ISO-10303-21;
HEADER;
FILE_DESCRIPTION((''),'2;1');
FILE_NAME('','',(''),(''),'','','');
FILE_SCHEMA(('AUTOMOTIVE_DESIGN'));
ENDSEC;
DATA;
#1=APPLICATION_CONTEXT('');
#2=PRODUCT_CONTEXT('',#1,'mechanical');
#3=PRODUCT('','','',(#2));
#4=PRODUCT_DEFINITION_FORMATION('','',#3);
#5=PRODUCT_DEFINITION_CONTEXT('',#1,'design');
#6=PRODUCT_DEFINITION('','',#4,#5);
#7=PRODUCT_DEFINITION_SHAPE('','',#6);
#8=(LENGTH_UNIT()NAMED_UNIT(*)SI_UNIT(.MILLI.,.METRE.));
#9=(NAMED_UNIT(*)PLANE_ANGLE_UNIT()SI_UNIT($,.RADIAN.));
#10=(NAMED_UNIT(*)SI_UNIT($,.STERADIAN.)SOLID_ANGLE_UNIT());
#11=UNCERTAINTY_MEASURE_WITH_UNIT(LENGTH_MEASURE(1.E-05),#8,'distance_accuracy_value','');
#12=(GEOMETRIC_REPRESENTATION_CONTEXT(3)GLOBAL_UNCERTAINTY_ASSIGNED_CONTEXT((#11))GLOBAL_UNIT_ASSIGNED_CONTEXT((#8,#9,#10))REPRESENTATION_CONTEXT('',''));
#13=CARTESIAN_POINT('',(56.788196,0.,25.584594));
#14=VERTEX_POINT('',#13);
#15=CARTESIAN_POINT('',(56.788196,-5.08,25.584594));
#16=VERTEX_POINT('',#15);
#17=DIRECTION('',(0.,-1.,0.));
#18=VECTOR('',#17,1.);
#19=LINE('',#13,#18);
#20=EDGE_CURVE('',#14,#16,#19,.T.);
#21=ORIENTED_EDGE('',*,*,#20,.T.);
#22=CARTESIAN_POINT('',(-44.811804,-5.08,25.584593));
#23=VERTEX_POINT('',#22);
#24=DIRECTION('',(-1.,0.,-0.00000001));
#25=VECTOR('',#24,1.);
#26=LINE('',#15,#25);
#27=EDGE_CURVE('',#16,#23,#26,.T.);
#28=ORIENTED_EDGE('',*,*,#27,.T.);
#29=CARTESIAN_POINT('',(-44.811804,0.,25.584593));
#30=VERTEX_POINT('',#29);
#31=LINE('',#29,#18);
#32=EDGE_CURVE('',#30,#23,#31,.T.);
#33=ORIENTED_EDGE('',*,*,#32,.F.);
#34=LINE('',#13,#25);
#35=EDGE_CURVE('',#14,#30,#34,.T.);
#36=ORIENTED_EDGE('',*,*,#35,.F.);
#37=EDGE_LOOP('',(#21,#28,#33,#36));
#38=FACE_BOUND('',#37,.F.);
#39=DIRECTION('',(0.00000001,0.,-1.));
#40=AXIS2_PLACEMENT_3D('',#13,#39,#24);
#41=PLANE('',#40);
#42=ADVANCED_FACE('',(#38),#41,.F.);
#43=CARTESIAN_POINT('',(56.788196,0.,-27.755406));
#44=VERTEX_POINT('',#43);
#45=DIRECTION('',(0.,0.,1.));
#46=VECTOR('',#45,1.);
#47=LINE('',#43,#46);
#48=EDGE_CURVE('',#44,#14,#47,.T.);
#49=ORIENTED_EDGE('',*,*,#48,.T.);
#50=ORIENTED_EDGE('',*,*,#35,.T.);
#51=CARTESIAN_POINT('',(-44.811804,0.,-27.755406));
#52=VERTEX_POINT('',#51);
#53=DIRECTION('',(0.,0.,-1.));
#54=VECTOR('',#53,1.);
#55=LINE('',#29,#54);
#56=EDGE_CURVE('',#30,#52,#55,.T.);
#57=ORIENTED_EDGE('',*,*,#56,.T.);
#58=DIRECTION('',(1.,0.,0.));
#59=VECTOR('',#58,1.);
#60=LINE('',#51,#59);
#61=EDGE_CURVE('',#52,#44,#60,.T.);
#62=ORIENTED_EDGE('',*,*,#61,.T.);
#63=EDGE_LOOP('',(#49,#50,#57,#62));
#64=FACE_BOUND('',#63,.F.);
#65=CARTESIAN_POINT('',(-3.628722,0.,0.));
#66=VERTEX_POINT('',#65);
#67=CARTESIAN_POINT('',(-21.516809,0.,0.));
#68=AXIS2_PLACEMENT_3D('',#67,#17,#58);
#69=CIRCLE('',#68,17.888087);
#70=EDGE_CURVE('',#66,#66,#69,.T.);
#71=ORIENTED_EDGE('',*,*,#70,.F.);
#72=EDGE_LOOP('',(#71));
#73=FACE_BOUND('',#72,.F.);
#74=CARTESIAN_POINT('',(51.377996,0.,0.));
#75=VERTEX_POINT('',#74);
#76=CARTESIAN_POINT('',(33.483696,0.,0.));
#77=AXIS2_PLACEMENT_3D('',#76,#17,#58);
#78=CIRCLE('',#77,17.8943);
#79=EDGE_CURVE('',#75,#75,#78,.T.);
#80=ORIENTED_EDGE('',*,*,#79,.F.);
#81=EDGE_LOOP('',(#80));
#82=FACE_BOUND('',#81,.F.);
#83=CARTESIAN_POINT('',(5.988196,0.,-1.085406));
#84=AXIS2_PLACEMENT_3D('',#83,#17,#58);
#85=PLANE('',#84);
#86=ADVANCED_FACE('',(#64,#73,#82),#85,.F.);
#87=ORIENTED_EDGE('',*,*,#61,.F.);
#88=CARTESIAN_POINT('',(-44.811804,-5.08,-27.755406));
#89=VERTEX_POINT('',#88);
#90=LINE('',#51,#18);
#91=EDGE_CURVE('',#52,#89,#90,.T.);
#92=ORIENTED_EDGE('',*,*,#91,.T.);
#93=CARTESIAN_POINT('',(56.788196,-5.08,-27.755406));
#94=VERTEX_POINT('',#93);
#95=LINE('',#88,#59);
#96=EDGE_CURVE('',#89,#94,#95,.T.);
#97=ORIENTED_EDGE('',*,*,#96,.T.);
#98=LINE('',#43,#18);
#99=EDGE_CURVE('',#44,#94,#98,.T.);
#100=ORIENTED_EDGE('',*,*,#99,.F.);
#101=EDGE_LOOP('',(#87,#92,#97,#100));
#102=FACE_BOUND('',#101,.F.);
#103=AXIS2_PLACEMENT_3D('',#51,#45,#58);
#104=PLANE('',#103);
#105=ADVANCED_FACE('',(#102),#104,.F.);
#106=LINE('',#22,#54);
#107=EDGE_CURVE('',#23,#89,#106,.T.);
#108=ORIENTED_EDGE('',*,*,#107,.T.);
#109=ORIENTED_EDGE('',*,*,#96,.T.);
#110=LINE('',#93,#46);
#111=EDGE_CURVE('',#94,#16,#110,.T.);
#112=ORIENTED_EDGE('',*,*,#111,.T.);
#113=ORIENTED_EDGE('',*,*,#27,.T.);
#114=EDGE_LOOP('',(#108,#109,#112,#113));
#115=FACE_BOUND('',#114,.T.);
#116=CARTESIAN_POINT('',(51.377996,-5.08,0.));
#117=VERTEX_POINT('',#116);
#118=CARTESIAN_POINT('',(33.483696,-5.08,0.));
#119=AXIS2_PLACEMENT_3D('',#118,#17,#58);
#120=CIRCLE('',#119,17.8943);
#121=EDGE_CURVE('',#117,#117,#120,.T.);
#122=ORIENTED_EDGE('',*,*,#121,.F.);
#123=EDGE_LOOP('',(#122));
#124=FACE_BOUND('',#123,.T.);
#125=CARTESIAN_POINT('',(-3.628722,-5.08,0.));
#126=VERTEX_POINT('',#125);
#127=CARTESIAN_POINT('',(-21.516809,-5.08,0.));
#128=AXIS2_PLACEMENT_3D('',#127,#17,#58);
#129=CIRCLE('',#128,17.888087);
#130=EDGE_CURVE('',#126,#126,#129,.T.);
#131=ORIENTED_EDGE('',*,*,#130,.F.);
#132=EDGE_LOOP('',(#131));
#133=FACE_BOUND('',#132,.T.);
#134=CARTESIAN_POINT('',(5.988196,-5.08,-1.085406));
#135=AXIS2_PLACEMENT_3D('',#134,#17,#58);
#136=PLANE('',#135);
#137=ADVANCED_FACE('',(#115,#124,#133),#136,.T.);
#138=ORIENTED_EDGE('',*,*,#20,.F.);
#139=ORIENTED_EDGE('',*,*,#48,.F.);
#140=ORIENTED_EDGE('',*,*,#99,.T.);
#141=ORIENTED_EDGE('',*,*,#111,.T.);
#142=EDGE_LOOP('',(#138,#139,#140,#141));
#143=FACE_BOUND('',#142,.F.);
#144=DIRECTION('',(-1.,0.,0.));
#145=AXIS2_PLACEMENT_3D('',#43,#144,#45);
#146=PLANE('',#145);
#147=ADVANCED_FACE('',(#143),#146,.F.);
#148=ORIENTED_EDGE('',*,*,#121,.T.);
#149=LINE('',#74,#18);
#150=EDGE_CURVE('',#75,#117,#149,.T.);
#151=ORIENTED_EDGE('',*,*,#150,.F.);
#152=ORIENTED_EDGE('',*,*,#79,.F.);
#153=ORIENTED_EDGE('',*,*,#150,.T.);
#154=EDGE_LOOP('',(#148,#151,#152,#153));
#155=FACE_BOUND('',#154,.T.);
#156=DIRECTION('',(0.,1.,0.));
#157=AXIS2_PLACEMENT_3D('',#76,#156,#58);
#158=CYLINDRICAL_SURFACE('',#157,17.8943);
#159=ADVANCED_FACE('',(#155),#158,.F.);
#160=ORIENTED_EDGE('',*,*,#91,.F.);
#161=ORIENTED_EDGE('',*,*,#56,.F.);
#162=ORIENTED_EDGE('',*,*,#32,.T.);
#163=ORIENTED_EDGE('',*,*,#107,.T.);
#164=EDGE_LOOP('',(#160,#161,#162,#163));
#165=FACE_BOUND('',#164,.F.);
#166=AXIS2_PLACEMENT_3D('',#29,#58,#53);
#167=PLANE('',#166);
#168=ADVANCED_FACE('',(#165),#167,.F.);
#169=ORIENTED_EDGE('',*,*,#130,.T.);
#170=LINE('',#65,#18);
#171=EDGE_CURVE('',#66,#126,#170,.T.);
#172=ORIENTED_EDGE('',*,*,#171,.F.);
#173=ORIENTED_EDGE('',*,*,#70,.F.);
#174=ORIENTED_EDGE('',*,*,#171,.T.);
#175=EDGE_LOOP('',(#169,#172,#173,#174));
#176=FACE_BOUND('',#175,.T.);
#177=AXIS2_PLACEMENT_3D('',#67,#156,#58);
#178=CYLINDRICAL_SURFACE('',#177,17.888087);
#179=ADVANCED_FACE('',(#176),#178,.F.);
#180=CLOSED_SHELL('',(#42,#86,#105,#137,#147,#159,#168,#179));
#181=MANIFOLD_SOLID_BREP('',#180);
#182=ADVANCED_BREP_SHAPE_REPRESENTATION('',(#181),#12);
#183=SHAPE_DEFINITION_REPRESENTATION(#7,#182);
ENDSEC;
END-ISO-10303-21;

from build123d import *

# Parameters (mm, degrees)
F0_R     = 17.888087
F0_R_2   = 17.8943
F1_DEPTH = 5.08


with BuildPart() as f1:
    # F0 (on Front) → F1 (new body)
    with BuildSketch(Plane.XZ):
        Polygon((56.788196, 25.584594), (-44.811804, 25.584593), (-44.811804, -27.755406), (56.788196, -27.755406), align=None)
        with Locations((-21.516809, 0)):
            Circle(F0_R, mode=Mode.SUBTRACT)
        with Locations((33.483696, 0)):
            Circle(F0_R_2, mode=Mode.SUBTRACT)
    extrude(amount=F1_DEPTH)


solid = f1.part
